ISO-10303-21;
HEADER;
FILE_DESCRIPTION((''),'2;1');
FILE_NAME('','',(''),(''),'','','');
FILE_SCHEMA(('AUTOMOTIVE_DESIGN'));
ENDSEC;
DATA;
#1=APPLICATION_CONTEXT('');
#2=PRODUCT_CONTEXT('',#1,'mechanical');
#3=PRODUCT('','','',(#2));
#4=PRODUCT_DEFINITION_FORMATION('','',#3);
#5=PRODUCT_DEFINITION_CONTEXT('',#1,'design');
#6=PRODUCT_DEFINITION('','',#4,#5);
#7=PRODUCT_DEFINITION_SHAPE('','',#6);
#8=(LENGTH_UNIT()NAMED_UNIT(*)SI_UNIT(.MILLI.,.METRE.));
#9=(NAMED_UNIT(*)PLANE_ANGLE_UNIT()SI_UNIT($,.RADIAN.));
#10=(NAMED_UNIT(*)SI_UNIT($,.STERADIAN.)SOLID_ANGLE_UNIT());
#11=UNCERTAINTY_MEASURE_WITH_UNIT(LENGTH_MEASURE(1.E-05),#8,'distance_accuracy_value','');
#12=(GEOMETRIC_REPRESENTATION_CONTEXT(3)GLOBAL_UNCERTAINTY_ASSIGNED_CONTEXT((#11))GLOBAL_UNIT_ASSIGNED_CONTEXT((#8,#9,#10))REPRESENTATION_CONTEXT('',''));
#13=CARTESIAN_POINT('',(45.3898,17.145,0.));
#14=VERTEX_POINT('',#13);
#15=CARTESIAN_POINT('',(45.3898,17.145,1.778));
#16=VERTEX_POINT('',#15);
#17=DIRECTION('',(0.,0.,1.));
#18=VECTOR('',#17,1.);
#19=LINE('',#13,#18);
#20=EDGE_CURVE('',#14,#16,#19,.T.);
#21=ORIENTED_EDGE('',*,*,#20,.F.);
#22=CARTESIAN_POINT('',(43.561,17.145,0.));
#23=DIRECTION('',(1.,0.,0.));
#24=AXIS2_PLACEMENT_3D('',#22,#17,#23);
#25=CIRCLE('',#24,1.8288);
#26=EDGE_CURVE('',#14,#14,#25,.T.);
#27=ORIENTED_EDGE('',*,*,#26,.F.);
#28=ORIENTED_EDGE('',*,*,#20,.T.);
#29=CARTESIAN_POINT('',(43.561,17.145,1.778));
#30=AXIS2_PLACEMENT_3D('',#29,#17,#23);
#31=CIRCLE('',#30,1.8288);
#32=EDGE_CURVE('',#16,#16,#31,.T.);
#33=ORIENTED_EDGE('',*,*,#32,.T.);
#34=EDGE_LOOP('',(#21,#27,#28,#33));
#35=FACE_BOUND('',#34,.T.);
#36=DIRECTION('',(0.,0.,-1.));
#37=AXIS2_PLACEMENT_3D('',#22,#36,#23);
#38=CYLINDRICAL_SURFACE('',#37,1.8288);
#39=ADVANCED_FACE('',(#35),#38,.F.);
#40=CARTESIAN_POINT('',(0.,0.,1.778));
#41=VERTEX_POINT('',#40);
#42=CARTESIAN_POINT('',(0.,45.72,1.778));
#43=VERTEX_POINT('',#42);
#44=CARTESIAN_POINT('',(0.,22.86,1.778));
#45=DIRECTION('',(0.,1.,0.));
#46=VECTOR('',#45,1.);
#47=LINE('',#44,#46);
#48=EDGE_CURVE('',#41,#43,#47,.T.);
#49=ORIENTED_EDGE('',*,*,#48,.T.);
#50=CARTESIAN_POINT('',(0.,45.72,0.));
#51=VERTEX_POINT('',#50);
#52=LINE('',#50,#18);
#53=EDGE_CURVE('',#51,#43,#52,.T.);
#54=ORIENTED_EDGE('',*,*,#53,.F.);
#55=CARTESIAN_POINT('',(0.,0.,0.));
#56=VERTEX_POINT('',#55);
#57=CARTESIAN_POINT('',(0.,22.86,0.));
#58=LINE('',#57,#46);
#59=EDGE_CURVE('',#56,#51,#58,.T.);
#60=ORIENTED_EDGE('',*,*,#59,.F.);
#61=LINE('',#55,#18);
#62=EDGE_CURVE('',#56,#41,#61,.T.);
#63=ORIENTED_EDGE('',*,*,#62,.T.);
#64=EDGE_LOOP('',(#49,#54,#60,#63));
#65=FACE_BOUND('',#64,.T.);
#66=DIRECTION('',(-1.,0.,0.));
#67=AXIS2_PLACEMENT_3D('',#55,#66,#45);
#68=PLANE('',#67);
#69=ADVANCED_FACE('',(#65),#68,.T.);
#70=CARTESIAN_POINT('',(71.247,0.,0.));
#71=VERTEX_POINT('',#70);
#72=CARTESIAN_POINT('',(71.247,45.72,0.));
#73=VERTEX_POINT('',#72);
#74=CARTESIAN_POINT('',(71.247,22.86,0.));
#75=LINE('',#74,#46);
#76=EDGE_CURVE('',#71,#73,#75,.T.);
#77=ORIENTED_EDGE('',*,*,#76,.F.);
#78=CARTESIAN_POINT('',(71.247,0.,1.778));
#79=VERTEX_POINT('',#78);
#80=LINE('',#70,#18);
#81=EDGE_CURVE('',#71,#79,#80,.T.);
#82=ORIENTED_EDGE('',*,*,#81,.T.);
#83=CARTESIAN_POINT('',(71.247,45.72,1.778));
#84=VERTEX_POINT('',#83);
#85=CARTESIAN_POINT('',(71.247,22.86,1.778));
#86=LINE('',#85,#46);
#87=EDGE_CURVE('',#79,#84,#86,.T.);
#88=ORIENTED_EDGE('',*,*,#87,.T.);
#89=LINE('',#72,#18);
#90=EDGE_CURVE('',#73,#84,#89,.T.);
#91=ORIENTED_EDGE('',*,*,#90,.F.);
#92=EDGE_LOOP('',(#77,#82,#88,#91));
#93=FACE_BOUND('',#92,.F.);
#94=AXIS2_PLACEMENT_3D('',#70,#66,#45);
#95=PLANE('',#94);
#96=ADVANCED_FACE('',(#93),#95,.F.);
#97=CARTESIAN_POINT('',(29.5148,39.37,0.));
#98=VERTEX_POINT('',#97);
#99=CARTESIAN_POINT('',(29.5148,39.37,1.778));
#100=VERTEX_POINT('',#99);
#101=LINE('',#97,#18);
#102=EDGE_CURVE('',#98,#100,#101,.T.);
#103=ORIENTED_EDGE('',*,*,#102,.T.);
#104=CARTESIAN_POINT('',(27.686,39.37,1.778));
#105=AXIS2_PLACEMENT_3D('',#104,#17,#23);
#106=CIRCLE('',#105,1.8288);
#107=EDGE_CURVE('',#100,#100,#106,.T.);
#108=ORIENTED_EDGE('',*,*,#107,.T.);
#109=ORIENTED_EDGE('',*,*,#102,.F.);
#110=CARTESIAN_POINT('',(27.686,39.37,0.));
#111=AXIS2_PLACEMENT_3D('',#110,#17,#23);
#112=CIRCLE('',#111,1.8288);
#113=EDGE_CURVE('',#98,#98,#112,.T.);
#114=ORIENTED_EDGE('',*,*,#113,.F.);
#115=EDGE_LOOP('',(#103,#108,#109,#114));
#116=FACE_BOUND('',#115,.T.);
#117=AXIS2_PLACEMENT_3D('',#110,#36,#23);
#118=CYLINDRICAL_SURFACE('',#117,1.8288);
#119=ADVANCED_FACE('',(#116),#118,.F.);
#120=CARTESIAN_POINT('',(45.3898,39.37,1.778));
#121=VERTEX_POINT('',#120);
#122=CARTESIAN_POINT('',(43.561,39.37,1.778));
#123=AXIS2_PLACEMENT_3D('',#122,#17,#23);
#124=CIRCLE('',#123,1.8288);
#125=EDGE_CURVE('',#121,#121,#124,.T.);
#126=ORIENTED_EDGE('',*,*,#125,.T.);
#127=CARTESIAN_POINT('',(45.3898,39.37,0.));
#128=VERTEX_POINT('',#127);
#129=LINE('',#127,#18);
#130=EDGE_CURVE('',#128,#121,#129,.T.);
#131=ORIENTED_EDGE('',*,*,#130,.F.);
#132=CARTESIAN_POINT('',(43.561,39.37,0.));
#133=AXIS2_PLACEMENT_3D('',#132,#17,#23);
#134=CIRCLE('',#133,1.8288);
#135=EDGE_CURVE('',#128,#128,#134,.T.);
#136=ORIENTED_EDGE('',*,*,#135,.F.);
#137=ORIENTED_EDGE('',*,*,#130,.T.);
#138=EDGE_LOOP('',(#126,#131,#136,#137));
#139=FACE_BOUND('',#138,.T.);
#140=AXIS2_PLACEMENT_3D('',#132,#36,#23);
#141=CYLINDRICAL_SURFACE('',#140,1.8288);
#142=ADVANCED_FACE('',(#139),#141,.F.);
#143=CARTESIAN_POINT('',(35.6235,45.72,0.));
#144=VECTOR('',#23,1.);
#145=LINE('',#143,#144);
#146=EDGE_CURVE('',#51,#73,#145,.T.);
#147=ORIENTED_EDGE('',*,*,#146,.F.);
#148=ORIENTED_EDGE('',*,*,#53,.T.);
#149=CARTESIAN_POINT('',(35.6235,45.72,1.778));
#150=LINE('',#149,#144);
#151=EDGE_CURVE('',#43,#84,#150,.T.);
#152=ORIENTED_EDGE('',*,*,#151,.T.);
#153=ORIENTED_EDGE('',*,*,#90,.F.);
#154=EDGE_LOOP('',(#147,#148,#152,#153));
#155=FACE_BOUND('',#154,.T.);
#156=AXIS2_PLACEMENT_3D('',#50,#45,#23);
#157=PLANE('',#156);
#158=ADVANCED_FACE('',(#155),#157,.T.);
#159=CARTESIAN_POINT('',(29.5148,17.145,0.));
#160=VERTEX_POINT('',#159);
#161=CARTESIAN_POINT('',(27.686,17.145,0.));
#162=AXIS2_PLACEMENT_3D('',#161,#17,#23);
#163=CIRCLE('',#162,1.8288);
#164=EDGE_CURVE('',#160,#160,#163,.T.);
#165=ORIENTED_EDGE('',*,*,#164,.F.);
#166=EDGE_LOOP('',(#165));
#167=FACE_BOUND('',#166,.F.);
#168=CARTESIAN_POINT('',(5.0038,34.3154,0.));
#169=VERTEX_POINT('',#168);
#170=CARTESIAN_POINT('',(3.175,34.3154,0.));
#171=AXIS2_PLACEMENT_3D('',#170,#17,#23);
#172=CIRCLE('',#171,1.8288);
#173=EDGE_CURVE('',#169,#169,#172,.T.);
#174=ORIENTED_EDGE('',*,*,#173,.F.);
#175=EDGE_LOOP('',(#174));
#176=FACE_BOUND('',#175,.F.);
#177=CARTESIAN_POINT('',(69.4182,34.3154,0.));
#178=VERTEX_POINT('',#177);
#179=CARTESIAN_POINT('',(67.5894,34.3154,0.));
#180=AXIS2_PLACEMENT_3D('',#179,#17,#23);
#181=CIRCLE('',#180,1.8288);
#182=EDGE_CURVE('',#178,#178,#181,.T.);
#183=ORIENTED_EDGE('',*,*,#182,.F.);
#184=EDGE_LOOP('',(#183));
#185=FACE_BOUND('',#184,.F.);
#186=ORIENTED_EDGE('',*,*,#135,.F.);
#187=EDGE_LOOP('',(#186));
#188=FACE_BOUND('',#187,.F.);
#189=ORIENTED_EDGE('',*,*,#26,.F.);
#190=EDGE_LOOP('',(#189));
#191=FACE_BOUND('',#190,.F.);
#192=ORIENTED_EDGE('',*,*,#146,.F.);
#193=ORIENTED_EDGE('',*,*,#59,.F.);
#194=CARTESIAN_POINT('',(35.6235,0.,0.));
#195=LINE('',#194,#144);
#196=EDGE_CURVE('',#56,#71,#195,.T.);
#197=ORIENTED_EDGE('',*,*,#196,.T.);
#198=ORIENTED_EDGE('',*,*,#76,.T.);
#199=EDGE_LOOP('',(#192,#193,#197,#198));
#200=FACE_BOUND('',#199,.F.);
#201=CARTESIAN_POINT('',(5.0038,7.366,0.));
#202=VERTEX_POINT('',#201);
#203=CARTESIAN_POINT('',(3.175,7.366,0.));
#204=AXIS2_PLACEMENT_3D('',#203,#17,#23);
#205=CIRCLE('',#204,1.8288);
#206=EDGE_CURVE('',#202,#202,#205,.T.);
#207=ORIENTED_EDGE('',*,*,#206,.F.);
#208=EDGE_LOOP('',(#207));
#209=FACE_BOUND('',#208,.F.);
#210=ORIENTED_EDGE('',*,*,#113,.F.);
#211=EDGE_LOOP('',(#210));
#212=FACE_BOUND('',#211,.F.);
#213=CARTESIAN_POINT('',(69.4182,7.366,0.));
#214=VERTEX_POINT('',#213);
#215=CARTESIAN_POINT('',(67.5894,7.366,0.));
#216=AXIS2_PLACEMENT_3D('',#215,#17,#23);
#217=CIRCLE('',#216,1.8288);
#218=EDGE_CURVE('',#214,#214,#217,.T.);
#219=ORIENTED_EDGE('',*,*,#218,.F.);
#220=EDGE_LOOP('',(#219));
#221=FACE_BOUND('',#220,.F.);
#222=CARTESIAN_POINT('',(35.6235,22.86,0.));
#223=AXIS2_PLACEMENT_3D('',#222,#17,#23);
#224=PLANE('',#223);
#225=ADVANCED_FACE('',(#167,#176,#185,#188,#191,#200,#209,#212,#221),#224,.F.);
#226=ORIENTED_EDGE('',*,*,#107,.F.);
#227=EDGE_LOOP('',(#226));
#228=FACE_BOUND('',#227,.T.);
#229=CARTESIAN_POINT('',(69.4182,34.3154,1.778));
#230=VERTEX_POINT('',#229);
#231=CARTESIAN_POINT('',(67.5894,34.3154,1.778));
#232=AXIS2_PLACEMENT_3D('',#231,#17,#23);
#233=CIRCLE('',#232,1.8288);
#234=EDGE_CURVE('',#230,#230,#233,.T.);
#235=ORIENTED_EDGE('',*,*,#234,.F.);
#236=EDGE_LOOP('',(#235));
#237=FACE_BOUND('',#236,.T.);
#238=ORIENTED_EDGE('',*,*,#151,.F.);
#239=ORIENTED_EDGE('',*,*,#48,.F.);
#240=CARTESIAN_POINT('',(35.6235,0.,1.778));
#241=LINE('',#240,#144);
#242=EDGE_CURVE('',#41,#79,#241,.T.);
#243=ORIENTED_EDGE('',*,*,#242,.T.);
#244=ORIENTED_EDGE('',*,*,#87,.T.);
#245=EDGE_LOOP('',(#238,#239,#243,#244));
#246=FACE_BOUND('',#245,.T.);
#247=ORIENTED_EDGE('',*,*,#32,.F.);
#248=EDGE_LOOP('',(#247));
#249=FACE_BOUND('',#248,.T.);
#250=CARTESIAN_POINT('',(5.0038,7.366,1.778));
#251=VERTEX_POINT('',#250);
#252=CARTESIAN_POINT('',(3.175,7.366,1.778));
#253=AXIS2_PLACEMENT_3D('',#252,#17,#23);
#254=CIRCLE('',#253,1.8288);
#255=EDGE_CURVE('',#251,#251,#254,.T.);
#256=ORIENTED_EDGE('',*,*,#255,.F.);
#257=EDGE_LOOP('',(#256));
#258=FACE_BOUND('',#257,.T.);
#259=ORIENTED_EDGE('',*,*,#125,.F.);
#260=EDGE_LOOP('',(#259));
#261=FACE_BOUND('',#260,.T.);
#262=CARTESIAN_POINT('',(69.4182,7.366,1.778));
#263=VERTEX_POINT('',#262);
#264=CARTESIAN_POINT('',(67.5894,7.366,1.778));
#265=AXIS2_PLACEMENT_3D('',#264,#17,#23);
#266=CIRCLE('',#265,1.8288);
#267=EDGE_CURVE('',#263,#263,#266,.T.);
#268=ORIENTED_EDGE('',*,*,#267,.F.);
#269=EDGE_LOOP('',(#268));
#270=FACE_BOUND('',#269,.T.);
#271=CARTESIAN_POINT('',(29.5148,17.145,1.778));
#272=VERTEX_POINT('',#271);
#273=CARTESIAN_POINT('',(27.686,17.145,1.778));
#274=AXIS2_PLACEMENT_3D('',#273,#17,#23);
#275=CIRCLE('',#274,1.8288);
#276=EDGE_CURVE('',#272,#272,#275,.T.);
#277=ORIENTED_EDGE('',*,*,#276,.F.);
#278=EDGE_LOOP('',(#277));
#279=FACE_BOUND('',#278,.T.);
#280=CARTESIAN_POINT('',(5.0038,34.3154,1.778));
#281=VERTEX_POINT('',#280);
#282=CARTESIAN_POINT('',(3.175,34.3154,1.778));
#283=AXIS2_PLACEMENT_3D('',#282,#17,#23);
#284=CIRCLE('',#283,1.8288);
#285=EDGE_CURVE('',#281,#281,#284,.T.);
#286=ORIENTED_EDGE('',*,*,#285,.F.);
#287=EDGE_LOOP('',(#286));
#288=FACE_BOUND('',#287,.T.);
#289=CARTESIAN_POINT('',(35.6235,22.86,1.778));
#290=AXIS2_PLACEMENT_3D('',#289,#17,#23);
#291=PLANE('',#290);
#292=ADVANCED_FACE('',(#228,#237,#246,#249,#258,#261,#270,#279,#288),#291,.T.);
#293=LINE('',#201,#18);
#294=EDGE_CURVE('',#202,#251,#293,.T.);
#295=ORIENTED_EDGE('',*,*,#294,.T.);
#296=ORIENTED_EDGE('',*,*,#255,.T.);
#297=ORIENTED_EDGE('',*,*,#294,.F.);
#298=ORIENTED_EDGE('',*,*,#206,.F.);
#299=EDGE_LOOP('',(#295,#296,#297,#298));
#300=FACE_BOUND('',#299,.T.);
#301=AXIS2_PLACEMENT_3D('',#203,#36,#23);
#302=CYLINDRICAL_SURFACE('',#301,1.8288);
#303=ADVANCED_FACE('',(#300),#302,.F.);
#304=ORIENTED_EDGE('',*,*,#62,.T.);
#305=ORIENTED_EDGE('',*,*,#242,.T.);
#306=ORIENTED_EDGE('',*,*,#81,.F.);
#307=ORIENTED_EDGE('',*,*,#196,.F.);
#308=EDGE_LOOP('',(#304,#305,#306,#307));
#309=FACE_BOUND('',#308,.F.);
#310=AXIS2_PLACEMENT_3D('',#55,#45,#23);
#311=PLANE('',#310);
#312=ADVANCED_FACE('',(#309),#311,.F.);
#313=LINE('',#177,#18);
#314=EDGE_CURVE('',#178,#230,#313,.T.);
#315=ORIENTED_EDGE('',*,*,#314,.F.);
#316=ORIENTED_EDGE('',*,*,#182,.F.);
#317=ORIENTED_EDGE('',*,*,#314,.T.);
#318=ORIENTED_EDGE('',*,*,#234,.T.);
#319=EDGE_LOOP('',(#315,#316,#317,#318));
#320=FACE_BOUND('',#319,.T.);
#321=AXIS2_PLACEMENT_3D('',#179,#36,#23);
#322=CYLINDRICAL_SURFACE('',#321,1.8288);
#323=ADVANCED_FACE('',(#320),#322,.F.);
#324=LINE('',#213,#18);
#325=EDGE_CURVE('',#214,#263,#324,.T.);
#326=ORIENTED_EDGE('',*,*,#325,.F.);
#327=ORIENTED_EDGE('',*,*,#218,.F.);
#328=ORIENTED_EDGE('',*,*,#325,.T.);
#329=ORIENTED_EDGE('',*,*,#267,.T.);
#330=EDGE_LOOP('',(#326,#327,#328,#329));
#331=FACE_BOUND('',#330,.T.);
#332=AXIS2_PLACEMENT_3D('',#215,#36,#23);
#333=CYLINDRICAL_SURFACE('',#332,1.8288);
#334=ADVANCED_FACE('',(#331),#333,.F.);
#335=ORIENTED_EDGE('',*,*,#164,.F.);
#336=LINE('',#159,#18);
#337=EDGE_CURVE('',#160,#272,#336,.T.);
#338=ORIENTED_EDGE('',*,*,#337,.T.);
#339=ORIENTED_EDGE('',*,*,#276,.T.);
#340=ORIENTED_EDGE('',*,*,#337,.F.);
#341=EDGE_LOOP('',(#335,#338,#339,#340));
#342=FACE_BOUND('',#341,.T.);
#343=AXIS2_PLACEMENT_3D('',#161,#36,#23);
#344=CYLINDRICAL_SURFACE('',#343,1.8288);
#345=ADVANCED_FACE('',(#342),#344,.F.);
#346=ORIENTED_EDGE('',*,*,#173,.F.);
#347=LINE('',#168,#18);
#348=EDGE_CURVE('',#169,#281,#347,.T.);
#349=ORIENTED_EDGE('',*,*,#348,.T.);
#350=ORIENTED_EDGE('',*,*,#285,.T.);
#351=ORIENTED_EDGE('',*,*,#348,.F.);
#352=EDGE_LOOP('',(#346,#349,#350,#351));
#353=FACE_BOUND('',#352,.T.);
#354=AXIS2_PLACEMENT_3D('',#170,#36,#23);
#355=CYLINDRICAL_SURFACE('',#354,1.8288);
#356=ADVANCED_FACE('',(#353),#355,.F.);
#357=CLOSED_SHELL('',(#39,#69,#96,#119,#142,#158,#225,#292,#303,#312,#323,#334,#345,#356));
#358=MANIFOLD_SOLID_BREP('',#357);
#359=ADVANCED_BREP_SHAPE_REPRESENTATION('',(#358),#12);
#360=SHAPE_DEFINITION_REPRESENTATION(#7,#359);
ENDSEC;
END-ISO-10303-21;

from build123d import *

# Parameters (mm, degrees)
F0_W     = 71.247
F0_H     = 45.72
F0_R     = 1.8288
F1_DEPTH = 1.778


with BuildPart() as f1:
    # F0 (on Top) → F1 (new body)
    with BuildSketch(Plane.XY):
        with Locations((35.6235, 22.86)):
            Rectangle(F0_W, F0_H)
        with Locations((3.175, 7.366)):
            Circle(F0_R, mode=Mode.SUBTRACT)
        with Locations((27.686, 17.145)):
            Circle(F0_R, mode=Mode.SUBTRACT)
        with Locations((67.5894, 7.366)):
            Circle(F0_R, mode=Mode.SUBTRACT)
        with Locations((43.561, 17.145)):
            Circle(F0_R, mode=Mode.SUBTRACT)
        with Locations((3.175, 34.3154)):
            Circle(F0_R, mode=Mode.SUBTRACT)
        with Locations((27.686, 39.37)):
            Circle(F0_R, mode=Mode.SUBTRACT)
        with Locations((43.561, 39.37)):
            Circle(F0_R, mode=Mode.SUBTRACT)
        with Locations((67.5894, 34.3154)):
            Circle(F0_R, mode=Mode.SUBTRACT)
    extrude(amount=F1_DEPTH)


solid = f1.part
